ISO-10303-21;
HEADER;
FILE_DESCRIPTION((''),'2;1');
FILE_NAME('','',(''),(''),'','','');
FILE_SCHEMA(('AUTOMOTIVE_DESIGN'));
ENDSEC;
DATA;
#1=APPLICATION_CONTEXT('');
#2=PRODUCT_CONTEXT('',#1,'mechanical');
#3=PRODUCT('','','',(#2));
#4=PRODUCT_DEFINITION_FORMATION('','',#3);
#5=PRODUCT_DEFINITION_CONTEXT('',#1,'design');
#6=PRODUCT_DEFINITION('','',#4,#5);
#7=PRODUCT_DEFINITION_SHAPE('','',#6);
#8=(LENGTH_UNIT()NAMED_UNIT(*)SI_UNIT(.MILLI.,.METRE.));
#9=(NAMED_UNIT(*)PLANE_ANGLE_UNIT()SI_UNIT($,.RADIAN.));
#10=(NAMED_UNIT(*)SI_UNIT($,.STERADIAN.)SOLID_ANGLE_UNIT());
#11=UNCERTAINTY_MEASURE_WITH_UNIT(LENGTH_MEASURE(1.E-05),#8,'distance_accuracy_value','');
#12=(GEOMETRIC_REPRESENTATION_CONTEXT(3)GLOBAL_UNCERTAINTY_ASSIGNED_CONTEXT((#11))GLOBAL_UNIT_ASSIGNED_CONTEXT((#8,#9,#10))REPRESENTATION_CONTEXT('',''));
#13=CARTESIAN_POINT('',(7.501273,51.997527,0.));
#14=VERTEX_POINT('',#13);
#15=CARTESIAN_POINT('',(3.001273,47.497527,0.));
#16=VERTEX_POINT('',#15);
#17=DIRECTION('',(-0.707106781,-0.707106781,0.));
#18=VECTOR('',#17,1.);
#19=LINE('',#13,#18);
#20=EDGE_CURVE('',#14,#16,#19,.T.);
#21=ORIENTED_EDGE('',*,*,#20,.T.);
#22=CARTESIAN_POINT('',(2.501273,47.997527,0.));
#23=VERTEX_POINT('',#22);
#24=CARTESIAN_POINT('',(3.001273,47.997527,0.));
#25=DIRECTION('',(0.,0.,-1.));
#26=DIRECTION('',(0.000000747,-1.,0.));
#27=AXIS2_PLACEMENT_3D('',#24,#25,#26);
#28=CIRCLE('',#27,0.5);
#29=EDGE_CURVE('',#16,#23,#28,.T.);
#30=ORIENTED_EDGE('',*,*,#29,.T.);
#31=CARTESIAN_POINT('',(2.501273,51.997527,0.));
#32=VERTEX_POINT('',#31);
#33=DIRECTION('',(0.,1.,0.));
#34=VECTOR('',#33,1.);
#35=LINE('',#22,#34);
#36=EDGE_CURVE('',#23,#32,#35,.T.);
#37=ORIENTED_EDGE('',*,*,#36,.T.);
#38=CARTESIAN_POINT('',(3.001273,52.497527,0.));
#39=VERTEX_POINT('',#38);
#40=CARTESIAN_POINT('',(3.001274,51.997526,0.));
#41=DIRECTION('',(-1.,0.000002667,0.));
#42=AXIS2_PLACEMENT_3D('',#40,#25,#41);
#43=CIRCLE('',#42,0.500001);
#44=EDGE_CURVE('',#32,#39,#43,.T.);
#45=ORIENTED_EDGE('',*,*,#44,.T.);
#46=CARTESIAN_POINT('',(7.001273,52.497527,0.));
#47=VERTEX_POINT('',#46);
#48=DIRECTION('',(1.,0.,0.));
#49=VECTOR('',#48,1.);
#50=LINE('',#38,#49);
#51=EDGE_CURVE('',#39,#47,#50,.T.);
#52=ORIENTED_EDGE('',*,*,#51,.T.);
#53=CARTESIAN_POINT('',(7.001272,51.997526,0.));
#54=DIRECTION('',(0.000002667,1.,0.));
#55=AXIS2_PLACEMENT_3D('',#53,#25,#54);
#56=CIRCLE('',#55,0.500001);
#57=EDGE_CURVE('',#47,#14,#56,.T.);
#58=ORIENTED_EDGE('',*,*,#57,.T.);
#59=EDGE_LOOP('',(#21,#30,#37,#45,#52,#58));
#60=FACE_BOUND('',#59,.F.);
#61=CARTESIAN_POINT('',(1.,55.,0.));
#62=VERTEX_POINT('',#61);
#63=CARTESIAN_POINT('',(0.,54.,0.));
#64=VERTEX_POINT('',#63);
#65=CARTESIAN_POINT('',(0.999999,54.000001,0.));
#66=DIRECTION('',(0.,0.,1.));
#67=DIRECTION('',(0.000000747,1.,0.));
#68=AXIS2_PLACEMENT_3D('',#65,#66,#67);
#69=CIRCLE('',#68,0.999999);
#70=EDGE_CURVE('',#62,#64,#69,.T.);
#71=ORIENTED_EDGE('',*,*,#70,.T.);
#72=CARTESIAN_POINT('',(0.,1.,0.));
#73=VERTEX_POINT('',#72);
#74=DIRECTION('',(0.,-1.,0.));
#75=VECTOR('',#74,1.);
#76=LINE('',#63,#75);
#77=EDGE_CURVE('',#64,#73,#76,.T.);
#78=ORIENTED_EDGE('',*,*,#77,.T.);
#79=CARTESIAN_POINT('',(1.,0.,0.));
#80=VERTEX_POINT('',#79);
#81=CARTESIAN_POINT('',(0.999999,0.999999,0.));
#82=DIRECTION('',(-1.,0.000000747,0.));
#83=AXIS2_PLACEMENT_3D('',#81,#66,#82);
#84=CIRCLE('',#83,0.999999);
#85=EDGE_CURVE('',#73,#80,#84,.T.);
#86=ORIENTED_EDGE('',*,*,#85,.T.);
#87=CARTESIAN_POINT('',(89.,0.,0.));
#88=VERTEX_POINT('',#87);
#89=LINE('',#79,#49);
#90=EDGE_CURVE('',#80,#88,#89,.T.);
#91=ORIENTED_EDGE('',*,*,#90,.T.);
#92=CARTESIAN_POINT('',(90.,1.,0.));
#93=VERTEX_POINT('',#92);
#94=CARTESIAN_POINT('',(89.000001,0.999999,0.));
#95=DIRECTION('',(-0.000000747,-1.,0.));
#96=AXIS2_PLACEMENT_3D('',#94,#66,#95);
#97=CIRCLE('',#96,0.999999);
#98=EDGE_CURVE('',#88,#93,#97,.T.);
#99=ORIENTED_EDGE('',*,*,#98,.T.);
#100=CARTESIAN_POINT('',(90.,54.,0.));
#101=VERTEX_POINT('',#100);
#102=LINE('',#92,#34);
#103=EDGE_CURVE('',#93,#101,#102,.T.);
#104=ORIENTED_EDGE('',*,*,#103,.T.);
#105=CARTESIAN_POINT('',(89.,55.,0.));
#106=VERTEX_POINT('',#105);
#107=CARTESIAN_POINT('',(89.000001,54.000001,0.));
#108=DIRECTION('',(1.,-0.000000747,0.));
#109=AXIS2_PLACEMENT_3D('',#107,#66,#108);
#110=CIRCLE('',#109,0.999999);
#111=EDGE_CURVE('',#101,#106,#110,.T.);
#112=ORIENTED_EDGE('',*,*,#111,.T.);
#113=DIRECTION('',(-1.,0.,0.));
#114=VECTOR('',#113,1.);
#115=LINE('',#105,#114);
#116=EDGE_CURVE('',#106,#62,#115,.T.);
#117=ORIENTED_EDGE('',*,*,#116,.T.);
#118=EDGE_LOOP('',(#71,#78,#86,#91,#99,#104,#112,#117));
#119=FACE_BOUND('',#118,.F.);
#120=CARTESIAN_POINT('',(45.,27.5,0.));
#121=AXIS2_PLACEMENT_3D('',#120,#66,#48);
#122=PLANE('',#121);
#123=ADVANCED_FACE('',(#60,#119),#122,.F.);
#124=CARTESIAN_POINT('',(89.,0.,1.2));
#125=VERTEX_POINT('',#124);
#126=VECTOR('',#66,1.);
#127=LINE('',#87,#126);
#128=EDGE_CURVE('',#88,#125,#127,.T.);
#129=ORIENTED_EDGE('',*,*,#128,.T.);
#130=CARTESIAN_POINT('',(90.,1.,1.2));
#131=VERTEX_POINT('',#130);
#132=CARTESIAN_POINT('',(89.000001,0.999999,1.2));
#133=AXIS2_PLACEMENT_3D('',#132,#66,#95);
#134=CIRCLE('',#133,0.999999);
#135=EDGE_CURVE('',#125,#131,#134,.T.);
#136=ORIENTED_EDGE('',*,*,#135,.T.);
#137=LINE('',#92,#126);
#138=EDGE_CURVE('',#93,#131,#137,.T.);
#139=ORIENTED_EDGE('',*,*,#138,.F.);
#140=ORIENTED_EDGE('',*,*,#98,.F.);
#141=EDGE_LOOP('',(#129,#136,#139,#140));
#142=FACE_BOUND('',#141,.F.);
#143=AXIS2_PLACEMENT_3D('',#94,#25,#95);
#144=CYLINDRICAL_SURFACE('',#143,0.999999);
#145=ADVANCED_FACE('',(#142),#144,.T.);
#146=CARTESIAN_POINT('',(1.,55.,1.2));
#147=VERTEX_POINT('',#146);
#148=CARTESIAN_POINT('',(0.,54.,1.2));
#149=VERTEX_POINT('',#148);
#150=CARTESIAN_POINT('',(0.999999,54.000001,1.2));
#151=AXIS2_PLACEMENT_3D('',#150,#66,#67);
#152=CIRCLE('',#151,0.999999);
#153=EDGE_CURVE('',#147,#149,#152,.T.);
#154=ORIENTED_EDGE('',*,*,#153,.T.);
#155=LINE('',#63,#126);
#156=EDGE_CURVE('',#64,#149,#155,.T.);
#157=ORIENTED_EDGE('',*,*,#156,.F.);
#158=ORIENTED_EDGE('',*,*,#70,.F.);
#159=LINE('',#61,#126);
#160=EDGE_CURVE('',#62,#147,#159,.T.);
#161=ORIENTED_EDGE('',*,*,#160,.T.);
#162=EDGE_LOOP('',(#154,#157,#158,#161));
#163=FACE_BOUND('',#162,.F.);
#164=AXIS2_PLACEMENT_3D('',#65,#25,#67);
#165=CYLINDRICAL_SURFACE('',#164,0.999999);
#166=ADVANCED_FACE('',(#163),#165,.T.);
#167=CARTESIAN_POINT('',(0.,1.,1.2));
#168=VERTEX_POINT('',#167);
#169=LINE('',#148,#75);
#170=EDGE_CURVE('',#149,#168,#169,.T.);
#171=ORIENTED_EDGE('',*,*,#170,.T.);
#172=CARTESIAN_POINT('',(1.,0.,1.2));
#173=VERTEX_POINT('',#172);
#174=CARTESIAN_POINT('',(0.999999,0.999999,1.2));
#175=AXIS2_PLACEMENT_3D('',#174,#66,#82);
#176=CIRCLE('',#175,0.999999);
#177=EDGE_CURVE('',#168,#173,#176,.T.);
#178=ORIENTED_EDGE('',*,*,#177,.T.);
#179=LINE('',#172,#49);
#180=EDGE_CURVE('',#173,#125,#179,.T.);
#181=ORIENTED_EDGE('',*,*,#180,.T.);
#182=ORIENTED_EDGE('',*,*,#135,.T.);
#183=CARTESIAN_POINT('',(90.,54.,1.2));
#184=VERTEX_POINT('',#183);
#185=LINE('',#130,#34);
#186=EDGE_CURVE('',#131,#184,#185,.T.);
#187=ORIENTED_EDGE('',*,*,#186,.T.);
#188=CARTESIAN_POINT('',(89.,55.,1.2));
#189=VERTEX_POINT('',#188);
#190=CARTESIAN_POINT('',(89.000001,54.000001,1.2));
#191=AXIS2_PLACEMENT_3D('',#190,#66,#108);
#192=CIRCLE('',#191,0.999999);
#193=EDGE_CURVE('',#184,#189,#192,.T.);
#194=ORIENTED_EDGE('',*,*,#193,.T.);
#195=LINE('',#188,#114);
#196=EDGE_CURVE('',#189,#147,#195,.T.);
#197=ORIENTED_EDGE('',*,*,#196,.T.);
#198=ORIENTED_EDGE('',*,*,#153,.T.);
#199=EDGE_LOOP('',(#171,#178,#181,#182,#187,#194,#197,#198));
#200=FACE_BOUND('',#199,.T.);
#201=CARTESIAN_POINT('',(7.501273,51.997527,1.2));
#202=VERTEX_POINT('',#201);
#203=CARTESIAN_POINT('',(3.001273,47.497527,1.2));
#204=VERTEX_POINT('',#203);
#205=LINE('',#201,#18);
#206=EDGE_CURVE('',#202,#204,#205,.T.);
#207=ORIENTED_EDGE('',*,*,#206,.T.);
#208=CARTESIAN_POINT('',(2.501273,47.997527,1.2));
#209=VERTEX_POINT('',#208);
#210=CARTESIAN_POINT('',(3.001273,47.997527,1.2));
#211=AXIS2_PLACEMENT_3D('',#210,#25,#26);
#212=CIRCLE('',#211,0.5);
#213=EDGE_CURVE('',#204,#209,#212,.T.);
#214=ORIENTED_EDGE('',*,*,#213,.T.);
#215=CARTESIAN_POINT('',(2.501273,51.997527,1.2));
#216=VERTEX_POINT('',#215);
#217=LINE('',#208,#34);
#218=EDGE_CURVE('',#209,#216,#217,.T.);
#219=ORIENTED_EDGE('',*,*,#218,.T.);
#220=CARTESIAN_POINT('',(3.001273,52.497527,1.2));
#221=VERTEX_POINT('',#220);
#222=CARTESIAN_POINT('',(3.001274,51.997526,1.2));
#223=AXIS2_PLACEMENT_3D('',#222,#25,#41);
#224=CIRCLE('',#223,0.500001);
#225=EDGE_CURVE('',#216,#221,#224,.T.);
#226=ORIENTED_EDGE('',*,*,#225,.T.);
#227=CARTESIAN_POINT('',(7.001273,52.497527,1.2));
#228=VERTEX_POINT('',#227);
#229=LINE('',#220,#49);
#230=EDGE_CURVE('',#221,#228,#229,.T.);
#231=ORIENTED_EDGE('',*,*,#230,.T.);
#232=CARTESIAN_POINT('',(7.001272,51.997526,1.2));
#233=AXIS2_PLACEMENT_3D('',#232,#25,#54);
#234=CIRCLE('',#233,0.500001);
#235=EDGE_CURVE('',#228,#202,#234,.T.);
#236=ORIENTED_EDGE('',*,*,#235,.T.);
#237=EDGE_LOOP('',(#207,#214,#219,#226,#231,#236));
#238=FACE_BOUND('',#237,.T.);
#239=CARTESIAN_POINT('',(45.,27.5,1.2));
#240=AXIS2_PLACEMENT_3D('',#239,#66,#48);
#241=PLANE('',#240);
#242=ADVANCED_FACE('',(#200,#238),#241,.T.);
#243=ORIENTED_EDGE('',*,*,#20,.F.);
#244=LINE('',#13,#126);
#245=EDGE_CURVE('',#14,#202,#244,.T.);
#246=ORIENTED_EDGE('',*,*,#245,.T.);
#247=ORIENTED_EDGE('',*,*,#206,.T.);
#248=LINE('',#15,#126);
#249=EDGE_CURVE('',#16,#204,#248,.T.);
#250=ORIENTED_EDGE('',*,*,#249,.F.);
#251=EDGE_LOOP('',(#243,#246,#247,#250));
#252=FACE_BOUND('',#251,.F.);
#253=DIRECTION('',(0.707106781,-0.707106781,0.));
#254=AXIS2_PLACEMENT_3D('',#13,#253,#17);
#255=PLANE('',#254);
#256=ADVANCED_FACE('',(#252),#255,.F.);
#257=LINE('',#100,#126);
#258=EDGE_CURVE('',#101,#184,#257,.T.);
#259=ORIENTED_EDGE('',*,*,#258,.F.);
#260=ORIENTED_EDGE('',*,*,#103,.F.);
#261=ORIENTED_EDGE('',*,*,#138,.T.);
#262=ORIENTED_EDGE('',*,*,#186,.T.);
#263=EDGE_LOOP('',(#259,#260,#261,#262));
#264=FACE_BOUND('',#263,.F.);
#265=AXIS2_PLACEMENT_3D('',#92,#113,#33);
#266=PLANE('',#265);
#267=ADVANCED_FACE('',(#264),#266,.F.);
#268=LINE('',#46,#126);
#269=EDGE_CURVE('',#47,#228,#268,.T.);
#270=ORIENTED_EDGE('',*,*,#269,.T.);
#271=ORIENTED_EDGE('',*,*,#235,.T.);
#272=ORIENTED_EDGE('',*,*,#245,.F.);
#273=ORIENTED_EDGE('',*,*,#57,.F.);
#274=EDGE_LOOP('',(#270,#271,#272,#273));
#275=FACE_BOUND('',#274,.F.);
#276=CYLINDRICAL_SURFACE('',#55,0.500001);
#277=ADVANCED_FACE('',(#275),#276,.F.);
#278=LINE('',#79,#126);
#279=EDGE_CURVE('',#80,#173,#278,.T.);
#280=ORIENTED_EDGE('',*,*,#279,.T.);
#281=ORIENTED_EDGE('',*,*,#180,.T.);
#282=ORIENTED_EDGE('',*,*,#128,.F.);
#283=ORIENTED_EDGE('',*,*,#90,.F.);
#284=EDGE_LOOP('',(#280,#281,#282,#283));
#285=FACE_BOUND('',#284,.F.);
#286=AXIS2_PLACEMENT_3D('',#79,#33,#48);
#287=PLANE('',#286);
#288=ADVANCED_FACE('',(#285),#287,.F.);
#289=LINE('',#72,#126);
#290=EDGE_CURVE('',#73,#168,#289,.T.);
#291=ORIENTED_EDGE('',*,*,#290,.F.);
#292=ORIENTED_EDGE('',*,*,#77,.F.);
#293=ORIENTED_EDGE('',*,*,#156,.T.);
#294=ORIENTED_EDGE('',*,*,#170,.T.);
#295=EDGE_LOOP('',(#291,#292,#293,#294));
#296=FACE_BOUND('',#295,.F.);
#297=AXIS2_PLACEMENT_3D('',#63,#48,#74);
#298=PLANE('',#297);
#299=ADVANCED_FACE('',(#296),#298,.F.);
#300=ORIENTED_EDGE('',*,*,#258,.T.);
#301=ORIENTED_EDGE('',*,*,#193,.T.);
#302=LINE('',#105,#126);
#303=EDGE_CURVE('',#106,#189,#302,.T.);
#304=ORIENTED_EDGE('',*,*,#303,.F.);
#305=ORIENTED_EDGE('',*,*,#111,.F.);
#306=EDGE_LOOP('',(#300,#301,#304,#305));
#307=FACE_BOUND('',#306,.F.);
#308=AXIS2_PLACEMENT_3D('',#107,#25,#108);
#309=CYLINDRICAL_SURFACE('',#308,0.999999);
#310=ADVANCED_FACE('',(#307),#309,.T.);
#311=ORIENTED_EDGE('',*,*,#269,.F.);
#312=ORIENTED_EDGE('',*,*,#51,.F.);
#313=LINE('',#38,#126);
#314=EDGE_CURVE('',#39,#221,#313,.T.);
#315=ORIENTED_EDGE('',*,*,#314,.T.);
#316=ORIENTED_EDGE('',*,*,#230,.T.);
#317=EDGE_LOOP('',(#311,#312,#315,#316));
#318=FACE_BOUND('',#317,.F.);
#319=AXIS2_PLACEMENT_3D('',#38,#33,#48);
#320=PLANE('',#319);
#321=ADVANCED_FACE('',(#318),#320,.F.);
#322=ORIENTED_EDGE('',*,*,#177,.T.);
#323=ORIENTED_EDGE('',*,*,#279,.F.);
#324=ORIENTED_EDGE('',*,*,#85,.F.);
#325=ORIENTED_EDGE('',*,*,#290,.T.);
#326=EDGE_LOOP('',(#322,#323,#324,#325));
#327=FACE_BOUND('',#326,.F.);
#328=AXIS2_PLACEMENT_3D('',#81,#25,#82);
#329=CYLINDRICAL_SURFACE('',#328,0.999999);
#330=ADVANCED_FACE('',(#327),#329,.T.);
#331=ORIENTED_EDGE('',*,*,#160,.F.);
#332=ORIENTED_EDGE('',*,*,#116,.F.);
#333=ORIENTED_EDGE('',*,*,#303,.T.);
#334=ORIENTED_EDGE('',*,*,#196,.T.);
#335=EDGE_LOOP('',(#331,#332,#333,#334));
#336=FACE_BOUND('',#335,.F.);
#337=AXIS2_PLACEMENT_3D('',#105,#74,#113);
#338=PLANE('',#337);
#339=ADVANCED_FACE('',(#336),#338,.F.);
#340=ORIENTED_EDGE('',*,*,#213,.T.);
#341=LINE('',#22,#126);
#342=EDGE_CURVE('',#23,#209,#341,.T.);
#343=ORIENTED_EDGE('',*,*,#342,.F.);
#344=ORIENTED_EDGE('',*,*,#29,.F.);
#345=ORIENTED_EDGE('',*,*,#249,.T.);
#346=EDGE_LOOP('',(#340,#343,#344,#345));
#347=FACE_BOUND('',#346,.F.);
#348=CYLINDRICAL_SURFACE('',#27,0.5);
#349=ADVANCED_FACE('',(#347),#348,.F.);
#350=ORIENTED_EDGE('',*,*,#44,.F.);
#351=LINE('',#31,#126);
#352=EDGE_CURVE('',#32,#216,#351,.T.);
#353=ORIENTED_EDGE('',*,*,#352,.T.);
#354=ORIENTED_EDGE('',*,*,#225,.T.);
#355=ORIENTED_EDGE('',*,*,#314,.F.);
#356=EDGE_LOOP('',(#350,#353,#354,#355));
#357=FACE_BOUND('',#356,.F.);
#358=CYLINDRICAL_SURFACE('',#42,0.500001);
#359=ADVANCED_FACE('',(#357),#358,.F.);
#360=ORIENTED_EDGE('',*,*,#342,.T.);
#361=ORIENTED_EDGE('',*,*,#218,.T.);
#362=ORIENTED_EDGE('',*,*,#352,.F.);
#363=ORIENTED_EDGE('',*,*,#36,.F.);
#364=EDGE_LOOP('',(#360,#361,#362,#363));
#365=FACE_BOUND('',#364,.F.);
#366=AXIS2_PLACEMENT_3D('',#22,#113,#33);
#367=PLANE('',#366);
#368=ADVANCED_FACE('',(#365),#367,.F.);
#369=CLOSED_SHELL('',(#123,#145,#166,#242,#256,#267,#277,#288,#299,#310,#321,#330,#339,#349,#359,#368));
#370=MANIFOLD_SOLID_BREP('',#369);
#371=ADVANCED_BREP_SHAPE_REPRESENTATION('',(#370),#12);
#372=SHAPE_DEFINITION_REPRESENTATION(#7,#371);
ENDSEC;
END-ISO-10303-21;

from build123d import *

# Parameters (mm, degrees)
F1_DEPTH = 1.2


with BuildPart() as f1:
    # F0 (on Top) → F1 (new body)
    with BuildSketch(Plane.XY):
        with BuildLine():
            ThreePointArc((0, 1), (0.292893, 0.292893), (1, 0))
            Line((1, 0), (89, 0))
            ThreePointArc((89, 0), (89.707107, 0.292893), (90, 1))
            Line((90, 1), (90, 54))
            ThreePointArc((90, 54), (89.707107, 54.707107), (89, 55))
            Line((89, 55), (1, 55))
            ThreePointArc((1, 55), (0.292893, 54.707107), (0, 54))
            Line((0, 54), (0, 1))
        make_face()
        with BuildLine():
            ThreePointArc((2.501273, 51.997527), (2.64772, 52.35108), (3.001273, 52.497527))
            Line((3.001273, 52.497527), (7.001273, 52.497527))
            ThreePointArc((7.001273, 52.497527), (7.354826, 52.35108), (7.501273, 51.997527))
            Line((7.501273, 51.997527), (3.001273, 47.497527))
            ThreePointArc((3.001273, 47.497527), (2.64772, 47.643973), (2.501273, 47.997527))
            Line((2.501273, 47.997527), (2.501273, 51.997527))
        make_face(mode=Mode.SUBTRACT)
    extrude(amount=F1_DEPTH)


solid = f1.part
